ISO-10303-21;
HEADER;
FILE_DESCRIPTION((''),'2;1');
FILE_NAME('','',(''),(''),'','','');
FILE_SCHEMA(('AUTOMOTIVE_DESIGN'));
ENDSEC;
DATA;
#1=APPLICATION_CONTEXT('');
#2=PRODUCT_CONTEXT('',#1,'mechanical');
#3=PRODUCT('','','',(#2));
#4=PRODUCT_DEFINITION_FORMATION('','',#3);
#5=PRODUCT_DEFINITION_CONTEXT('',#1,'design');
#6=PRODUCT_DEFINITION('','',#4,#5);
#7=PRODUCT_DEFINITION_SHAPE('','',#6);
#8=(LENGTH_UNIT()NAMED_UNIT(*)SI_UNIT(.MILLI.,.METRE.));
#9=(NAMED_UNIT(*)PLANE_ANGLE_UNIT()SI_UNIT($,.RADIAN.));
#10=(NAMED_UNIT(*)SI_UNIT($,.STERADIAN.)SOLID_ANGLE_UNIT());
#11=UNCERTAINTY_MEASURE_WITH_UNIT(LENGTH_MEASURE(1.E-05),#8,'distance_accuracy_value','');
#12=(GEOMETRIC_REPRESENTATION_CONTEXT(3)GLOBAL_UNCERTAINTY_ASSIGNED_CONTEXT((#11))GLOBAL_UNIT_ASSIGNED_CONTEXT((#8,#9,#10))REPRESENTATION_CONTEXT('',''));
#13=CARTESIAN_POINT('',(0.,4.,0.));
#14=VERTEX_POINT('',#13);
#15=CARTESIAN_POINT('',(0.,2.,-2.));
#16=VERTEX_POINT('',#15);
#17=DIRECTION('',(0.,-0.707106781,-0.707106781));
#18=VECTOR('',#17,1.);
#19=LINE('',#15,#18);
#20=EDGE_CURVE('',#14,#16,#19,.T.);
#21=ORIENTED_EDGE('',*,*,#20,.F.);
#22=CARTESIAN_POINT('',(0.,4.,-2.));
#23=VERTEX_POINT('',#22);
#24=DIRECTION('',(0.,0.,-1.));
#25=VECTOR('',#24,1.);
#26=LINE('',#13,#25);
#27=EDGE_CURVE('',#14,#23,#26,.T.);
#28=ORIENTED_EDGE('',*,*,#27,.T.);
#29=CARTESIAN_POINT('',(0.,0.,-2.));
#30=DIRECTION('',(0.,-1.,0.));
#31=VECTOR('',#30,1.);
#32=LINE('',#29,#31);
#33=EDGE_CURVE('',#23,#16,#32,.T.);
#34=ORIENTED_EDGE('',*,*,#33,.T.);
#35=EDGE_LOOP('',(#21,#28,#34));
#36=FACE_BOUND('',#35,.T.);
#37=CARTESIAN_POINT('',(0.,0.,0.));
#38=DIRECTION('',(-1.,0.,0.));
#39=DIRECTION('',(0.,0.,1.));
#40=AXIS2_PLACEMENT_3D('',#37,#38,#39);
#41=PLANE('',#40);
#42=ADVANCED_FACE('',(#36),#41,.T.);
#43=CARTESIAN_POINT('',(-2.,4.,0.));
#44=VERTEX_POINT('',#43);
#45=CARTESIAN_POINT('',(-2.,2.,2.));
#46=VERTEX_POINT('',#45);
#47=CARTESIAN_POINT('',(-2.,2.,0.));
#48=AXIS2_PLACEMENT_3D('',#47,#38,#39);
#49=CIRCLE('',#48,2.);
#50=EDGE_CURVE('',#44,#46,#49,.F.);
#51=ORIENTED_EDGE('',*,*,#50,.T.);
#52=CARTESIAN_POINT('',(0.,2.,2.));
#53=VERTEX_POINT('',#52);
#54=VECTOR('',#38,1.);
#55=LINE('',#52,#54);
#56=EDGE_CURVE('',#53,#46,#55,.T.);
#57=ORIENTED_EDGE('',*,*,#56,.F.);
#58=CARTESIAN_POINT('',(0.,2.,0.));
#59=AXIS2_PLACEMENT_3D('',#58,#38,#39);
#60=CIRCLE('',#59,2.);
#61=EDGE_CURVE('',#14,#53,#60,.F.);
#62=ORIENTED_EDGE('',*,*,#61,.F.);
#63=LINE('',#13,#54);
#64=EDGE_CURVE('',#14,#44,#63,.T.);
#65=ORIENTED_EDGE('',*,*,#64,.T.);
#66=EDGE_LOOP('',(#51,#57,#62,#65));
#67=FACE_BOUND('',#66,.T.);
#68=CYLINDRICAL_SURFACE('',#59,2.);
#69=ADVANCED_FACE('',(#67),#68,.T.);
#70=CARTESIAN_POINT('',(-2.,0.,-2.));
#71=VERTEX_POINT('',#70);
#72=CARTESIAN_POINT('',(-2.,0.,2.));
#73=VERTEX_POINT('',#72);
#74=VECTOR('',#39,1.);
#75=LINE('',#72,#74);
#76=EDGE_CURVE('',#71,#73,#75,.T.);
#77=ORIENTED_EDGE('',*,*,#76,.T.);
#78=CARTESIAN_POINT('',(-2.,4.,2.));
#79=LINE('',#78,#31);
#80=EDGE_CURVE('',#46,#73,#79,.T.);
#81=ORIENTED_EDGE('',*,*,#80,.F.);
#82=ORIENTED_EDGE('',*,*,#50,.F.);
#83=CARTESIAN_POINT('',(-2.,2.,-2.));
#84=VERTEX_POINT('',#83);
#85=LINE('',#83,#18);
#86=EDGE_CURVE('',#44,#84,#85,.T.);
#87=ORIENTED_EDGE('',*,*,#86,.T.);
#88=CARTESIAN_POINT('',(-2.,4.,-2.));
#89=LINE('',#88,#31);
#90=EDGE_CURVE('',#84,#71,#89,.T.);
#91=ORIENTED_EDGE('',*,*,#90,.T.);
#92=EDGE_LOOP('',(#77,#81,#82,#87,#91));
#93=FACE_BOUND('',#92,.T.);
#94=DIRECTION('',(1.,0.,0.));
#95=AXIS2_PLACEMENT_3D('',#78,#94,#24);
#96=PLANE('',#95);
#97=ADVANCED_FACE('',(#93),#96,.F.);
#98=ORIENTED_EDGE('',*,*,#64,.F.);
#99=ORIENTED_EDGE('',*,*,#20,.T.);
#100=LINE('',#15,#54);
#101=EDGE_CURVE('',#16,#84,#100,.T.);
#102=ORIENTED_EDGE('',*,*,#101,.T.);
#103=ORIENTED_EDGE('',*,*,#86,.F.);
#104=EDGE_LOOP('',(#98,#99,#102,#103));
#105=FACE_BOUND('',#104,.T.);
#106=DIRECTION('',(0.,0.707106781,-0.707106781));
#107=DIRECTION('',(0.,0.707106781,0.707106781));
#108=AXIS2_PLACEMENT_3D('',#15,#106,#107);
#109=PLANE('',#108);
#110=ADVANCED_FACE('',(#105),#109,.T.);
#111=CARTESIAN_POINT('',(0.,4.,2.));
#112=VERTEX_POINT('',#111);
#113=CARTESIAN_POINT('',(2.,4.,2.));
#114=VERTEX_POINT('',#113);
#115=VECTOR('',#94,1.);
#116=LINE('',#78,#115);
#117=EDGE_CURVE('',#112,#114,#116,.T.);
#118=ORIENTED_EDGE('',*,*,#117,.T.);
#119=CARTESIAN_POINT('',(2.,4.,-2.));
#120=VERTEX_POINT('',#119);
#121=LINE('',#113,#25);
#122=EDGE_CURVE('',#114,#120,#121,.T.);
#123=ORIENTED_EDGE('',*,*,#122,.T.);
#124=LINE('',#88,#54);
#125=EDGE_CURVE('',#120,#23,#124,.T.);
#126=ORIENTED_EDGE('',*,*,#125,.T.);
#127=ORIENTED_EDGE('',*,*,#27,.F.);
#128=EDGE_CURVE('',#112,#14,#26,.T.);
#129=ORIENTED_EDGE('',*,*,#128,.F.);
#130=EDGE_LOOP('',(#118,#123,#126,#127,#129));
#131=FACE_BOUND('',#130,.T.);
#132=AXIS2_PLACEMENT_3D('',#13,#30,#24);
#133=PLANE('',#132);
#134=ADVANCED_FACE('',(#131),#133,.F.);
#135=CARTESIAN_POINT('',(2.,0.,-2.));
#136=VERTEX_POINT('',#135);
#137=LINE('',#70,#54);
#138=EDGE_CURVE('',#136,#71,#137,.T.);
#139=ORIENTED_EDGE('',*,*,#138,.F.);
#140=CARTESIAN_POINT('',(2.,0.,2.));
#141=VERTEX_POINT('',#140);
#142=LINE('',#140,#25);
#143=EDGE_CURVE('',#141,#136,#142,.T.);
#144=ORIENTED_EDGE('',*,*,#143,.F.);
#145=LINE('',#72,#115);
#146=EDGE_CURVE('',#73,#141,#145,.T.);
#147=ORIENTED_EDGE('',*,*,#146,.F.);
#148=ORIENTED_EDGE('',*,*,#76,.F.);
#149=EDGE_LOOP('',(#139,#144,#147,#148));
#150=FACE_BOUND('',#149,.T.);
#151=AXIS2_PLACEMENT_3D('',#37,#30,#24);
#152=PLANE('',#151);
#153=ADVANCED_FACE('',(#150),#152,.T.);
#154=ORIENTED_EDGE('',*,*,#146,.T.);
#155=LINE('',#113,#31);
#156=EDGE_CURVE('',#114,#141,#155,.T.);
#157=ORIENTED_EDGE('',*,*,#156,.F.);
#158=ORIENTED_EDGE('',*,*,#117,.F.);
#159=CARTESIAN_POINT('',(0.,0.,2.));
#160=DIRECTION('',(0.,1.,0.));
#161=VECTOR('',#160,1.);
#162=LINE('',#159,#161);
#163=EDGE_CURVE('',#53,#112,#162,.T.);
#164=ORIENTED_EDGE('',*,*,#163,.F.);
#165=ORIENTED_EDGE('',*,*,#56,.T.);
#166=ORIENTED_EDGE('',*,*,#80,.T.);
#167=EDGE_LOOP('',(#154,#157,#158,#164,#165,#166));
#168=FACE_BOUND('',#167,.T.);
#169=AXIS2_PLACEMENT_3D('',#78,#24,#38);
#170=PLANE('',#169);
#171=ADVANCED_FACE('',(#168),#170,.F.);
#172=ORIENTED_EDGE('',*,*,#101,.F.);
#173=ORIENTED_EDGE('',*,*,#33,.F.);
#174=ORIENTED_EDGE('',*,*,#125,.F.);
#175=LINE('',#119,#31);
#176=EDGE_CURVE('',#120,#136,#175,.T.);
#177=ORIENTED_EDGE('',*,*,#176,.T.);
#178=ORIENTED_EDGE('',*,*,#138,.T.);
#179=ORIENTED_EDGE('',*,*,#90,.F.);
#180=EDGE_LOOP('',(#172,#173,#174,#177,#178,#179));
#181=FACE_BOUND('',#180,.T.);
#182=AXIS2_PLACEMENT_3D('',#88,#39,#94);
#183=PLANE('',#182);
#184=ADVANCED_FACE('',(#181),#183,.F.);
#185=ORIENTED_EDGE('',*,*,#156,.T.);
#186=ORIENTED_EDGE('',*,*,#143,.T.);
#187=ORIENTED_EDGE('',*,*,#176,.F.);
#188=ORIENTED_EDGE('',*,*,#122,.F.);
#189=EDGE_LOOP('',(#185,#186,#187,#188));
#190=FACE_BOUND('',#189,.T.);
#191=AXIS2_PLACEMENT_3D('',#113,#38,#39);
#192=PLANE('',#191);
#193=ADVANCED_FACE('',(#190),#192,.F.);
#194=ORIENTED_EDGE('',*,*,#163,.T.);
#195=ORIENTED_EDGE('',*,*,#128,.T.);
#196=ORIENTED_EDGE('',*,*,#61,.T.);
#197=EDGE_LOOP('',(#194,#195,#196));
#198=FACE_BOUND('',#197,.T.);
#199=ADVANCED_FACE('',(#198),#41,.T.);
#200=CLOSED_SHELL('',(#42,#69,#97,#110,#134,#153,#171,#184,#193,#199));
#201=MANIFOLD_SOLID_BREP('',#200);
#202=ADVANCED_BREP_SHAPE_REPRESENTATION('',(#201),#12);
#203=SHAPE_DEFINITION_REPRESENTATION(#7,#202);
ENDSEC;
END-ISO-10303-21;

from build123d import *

# Parameters (mm, degrees)
SKETCH1_W           = 4
SKETCH1_H           = 4
BOSS_EXTRUDE1_DEPTH = 4
CUT_EXTRUDE1_DEPTH  = 2


with BuildPart() as part:
    # Sketch1 → Boss-Extrude1 (new body)
    with BuildSketch(Plane(origin=(0, 0, 0), x_dir=(1, 0, 0), z_dir=(0, 1, 0))):
        Rectangle(SKETCH1_W, SKETCH1_H)
    extrude(amount=BOSS_EXTRUDE1_DEPTH)

    # Sketch2 → Cut-Extrude1 (cut)
    with BuildSketch(Plane.ZY.offset(2)):
        Polygon((-2, 2), (0, 4), (-2, 4), align=None)
        with BuildLine():
            Line((2, 4), (0, 4))
            ThreePointArc((0, 4), (1.414213562, 3.414213562), (2, 2))
            Line((2, 2), (2, 4))
        make_face()
    extrude(amount=-CUT_EXTRUDE1_DEPTH, mode=Mode.SUBTRACT)


solid = part.part
